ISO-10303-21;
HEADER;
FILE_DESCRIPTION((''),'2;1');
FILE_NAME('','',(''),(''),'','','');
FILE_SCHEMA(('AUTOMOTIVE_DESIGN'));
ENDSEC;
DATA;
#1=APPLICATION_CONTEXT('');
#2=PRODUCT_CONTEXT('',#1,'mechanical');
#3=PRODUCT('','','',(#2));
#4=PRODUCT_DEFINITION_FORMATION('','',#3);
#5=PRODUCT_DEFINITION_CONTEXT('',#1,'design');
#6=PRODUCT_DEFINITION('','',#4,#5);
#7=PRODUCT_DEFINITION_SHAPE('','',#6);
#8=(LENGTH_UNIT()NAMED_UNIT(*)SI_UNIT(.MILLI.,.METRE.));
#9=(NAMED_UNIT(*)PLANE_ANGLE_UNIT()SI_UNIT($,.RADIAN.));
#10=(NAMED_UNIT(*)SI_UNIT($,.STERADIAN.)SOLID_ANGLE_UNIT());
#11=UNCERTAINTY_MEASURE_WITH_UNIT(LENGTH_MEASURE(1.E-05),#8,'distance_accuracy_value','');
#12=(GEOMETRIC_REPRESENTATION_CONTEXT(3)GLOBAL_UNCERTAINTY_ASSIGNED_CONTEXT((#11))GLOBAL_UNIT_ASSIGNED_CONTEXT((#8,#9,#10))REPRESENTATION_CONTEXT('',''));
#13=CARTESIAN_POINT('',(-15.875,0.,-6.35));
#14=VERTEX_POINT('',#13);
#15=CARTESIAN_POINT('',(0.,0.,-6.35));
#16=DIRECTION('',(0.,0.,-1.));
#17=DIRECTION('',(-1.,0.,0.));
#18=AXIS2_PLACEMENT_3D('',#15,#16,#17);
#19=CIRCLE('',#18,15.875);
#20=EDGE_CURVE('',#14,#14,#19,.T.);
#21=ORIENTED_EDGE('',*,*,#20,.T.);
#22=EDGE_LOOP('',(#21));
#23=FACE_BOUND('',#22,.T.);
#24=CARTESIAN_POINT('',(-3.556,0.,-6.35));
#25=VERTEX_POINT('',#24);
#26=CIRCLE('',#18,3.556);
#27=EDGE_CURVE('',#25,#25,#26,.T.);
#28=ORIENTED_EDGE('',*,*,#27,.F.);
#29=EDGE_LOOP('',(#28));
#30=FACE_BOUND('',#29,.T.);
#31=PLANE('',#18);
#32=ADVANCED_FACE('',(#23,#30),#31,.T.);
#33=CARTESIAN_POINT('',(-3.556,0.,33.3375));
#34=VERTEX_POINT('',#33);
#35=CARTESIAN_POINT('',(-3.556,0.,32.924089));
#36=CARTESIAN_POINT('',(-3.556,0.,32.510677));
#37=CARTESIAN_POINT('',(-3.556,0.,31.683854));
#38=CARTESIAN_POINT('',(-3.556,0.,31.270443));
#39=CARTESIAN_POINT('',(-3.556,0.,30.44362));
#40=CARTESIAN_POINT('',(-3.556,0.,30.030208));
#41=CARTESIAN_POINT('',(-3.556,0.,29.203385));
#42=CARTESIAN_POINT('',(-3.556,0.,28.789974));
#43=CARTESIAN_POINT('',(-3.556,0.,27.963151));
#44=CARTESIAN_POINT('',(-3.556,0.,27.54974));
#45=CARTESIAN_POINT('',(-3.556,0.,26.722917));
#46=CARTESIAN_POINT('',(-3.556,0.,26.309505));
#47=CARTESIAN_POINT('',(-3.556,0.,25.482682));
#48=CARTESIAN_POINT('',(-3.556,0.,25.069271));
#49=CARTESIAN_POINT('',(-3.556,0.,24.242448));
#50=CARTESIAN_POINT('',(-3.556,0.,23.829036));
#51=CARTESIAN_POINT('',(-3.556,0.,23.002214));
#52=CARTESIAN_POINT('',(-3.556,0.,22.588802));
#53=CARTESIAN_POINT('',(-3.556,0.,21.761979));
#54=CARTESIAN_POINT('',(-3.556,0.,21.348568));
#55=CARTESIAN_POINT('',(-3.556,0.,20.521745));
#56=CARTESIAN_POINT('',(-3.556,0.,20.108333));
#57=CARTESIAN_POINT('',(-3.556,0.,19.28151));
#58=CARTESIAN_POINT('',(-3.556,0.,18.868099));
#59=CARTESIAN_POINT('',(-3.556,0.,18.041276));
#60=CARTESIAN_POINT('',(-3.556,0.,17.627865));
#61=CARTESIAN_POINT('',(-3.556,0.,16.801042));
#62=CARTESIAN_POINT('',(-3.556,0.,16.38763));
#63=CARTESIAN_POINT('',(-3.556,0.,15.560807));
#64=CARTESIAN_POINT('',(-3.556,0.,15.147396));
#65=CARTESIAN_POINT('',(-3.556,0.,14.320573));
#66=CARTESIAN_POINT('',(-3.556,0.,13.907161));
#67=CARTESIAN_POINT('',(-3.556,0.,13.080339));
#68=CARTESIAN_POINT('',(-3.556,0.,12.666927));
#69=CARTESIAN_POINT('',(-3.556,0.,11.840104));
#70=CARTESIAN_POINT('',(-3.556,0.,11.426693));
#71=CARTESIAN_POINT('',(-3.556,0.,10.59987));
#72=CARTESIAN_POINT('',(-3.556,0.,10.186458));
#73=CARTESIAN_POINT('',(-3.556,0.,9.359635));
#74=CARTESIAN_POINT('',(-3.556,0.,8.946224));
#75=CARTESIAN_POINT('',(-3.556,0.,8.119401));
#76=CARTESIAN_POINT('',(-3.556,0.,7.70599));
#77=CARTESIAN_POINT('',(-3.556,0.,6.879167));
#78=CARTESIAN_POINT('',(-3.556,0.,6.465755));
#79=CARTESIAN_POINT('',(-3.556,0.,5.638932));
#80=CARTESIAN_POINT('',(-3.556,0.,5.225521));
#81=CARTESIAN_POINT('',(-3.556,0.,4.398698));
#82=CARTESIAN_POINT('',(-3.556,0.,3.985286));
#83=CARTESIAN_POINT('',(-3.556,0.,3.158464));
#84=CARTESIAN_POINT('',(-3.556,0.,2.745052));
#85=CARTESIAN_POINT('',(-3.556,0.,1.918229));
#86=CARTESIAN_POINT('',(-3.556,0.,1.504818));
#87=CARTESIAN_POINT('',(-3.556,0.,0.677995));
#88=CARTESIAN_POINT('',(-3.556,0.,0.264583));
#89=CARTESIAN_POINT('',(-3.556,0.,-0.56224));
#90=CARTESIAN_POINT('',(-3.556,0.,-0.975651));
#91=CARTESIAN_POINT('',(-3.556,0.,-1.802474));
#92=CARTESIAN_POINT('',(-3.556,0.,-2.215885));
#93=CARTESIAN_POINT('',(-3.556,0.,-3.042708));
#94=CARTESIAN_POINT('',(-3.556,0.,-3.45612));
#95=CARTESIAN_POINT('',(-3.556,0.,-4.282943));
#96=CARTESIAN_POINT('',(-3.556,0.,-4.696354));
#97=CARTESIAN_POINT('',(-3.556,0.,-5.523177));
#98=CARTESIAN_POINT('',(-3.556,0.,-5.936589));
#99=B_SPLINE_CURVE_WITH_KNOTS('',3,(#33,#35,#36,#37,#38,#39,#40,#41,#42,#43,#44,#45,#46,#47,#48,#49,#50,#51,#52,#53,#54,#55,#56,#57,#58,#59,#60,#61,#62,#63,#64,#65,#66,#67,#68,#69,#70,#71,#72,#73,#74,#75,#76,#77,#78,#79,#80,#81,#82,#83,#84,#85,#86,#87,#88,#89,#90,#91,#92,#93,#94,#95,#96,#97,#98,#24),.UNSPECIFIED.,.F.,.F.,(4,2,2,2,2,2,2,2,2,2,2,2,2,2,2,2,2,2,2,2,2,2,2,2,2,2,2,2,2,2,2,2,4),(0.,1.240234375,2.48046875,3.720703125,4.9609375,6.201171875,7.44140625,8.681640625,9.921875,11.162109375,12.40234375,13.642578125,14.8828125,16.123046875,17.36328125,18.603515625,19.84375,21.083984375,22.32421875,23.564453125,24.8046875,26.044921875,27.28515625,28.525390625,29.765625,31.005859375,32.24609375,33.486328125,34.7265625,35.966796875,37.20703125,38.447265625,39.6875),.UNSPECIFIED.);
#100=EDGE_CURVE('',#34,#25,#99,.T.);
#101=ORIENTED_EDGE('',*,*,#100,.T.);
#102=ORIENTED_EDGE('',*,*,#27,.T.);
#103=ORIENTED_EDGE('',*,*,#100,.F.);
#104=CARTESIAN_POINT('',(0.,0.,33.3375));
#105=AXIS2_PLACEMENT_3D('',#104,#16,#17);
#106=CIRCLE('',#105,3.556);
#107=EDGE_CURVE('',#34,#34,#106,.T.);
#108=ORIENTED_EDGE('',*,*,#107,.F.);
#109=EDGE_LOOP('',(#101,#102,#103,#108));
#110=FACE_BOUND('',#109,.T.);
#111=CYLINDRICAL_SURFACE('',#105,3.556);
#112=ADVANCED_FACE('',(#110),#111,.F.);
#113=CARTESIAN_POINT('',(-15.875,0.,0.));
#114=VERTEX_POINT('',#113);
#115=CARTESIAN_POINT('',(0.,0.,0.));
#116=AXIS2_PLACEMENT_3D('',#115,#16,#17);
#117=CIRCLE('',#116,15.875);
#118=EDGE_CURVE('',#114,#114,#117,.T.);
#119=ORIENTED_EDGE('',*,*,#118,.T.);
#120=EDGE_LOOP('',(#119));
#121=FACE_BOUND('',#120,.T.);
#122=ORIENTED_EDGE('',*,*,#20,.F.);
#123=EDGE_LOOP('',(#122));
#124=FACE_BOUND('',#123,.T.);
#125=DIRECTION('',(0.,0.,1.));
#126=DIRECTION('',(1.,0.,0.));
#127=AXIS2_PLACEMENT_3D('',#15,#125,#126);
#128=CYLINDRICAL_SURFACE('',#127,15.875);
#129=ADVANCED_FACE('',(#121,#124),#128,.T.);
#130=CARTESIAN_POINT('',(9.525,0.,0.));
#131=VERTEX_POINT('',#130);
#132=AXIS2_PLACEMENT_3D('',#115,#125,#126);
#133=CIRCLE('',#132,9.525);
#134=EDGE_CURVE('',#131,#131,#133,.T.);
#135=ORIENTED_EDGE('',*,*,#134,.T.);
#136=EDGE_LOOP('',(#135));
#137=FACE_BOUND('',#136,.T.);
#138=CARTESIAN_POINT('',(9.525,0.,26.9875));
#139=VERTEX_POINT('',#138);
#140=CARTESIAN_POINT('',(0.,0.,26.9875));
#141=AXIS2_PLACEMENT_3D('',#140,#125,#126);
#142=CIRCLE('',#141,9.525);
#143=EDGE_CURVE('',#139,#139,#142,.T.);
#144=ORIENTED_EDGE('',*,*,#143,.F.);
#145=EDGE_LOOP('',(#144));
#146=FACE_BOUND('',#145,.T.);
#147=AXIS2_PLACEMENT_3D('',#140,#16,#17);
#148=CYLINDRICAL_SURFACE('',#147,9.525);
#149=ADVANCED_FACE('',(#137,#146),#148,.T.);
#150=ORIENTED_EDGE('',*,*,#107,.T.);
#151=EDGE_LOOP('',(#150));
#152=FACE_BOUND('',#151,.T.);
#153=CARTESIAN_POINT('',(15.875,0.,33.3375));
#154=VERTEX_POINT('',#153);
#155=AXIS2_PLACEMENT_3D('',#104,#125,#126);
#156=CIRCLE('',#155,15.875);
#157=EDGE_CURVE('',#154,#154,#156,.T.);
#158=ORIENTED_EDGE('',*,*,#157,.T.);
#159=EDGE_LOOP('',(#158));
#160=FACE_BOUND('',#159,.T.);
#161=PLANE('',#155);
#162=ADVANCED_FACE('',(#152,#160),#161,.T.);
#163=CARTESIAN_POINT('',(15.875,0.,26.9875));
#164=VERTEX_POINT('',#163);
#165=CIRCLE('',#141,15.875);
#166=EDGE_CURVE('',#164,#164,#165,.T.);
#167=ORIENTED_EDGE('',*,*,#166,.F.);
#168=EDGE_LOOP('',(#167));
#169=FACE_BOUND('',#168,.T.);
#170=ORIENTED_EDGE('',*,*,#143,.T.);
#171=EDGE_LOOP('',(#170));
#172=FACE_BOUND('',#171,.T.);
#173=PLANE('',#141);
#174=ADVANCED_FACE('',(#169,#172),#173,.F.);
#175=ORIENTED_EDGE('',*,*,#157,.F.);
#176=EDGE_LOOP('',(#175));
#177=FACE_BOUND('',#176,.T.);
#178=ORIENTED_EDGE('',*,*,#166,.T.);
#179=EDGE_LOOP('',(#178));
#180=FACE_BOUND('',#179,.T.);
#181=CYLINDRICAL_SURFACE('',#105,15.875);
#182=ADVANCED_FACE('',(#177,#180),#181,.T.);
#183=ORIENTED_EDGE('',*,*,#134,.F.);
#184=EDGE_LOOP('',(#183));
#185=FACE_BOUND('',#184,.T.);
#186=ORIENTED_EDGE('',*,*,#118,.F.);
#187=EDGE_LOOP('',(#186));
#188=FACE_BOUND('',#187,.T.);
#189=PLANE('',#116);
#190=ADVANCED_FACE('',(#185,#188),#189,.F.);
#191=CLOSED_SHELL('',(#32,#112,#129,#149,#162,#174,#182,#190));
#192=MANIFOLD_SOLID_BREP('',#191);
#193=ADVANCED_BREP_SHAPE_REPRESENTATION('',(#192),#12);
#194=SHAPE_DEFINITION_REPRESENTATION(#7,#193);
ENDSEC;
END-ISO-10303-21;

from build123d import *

# Parameters (mm, degrees)
SKETCH1_R           = 9.525
BOSS_EXTRUDE1_DEPTH = 26.9875
SKETCH2_R           = 15.875
BOSS_EXTRUDE2_DEPTH = 6.35
BOSS_EXTRUDE3_START = 6.35
SKETCH3_R           = 15.875
BOSS_EXTRUDE3_DEPTH = 6.35
SKETCH4_R           = 3.556
CUT_EXTRUDE1_DEPTH  = 46.597466007


with BuildPart() as part:
    # Sketch1 → Boss-Extrude1 (new body)
    with BuildSketch(Plane.XY):
        Circle(SKETCH1_R)
    extrude(amount=BOSS_EXTRUDE1_DEPTH)

    # Sketch2 → Boss-Extrude2 (add)
    with BuildSketch(Plane.XY.offset(26.9875)):
        Circle(SKETCH2_R)
    extrude(amount=BOSS_EXTRUDE2_DEPTH)

    # Sketch3 → Boss-Extrude3 (add)
    with BuildSketch(Plane(origin=(0, 0, 0), x_dir=(-1, 0, 0), z_dir=(0, 0, -1)).offset(BOSS_EXTRUDE3_START)):
        with Locations(Location((0, 0, 0), (0, 0, 180))):
            Circle(SKETCH3_R)
    extrude(amount=-BOSS_EXTRUDE3_DEPTH)

    # Sketch4 → Cut-Extrude1 (cut, through all)
    with BuildSketch(Plane(origin=(0, 0, -6.35), x_dir=(-1, 0, 0), z_dir=(0, 0, -1))):
        Circle(SKETCH4_R)
    extrude(amount=-CUT_EXTRUDE1_DEPTH, mode=Mode.SUBTRACT)


solid = part.part
